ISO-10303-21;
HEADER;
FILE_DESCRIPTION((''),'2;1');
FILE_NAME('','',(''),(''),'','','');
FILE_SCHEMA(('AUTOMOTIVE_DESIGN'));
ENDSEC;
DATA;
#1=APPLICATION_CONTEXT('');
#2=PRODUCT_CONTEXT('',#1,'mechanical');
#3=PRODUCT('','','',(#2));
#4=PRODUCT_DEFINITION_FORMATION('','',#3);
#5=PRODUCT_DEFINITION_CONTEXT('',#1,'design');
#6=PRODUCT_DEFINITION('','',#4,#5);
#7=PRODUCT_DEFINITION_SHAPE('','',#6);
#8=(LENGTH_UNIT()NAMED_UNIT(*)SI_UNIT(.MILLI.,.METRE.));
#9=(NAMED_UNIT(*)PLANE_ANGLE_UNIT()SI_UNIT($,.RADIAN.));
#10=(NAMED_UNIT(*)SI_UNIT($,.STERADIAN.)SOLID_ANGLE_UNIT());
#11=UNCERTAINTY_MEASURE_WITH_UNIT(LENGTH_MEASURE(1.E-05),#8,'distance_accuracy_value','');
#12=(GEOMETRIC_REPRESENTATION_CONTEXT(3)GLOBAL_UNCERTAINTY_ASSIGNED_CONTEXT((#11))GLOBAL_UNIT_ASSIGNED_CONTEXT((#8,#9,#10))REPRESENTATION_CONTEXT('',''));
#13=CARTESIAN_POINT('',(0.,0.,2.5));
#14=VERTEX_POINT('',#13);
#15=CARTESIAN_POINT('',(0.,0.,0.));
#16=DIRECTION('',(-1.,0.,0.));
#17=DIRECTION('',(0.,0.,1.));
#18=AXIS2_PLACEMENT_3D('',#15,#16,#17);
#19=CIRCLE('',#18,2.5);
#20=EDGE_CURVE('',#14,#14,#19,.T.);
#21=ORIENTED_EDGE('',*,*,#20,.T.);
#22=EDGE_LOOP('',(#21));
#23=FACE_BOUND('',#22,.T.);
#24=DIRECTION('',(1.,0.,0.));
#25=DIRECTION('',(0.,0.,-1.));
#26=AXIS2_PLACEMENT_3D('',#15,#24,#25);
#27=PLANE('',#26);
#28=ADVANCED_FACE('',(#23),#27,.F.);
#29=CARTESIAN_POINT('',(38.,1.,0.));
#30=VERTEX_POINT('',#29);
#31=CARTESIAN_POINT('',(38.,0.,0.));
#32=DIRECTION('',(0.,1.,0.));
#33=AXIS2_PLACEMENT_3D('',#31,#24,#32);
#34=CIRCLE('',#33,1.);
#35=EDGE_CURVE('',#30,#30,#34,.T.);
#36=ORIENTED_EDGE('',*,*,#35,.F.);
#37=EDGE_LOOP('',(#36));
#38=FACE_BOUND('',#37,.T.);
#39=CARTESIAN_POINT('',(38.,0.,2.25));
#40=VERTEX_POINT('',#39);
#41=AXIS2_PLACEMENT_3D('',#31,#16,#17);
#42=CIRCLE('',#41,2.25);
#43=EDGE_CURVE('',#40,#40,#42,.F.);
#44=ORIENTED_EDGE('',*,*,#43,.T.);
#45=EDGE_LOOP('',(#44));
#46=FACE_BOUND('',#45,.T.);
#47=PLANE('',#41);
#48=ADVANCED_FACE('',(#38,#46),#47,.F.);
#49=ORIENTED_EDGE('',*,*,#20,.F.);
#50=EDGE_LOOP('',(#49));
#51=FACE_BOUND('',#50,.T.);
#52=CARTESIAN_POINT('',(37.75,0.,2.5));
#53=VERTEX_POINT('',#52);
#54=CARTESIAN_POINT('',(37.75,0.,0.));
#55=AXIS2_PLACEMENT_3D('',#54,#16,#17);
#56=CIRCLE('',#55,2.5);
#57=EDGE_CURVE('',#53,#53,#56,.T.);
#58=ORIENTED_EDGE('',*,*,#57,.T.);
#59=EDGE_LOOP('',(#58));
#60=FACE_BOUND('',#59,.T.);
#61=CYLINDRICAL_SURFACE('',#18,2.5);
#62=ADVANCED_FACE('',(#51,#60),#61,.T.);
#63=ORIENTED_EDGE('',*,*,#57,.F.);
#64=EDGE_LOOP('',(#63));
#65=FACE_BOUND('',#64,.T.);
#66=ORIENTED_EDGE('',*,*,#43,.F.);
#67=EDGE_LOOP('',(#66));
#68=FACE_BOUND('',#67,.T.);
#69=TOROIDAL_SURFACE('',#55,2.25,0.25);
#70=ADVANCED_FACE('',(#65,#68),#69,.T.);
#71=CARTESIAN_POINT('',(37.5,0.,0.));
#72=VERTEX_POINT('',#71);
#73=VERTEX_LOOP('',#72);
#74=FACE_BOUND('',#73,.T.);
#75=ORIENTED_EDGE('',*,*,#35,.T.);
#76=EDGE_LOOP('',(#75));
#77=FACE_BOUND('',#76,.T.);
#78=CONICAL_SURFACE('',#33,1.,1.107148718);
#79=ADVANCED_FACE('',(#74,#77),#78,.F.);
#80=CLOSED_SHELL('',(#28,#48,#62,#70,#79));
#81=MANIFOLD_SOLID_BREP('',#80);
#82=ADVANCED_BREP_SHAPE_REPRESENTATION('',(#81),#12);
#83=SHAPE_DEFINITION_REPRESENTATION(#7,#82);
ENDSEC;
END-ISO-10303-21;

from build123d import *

# Parameters (mm, degrees)
CROQUIS1_W  = 38
CROQUIS1_H  = 2.5
REDONDEO1_R = 0.25


with BuildPart() as part:
    # Croquis1 → Revolución1 (revolve)
    with BuildSketch(Plane.XY):
        with Locations((19, 1.25)):
            Rectangle(CROQUIS1_W, CROQUIS1_H)
    revolve(axis=Axis((0, 0, 0), (1, 0, 0)))

    # Redondeo1
    redondeo1_edges = [part.edges().sort_by_distance(p)[0] for p in [
        (38, -2.5, 0),
    ]]
    fillet(redondeo1_edges, radius=REDONDEO1_R)

    # Croquis3 → Cortar-Revolución1 (revolve, cut)
    with BuildSketch(Plane.XY):
        Polygon((38, 0), (37.5, 0), (38, 1), align=None)
    revolve(axis=Axis((38, 0, 0), (-1, 0, 0)), mode=Mode.SUBTRACT)


solid = part.part
